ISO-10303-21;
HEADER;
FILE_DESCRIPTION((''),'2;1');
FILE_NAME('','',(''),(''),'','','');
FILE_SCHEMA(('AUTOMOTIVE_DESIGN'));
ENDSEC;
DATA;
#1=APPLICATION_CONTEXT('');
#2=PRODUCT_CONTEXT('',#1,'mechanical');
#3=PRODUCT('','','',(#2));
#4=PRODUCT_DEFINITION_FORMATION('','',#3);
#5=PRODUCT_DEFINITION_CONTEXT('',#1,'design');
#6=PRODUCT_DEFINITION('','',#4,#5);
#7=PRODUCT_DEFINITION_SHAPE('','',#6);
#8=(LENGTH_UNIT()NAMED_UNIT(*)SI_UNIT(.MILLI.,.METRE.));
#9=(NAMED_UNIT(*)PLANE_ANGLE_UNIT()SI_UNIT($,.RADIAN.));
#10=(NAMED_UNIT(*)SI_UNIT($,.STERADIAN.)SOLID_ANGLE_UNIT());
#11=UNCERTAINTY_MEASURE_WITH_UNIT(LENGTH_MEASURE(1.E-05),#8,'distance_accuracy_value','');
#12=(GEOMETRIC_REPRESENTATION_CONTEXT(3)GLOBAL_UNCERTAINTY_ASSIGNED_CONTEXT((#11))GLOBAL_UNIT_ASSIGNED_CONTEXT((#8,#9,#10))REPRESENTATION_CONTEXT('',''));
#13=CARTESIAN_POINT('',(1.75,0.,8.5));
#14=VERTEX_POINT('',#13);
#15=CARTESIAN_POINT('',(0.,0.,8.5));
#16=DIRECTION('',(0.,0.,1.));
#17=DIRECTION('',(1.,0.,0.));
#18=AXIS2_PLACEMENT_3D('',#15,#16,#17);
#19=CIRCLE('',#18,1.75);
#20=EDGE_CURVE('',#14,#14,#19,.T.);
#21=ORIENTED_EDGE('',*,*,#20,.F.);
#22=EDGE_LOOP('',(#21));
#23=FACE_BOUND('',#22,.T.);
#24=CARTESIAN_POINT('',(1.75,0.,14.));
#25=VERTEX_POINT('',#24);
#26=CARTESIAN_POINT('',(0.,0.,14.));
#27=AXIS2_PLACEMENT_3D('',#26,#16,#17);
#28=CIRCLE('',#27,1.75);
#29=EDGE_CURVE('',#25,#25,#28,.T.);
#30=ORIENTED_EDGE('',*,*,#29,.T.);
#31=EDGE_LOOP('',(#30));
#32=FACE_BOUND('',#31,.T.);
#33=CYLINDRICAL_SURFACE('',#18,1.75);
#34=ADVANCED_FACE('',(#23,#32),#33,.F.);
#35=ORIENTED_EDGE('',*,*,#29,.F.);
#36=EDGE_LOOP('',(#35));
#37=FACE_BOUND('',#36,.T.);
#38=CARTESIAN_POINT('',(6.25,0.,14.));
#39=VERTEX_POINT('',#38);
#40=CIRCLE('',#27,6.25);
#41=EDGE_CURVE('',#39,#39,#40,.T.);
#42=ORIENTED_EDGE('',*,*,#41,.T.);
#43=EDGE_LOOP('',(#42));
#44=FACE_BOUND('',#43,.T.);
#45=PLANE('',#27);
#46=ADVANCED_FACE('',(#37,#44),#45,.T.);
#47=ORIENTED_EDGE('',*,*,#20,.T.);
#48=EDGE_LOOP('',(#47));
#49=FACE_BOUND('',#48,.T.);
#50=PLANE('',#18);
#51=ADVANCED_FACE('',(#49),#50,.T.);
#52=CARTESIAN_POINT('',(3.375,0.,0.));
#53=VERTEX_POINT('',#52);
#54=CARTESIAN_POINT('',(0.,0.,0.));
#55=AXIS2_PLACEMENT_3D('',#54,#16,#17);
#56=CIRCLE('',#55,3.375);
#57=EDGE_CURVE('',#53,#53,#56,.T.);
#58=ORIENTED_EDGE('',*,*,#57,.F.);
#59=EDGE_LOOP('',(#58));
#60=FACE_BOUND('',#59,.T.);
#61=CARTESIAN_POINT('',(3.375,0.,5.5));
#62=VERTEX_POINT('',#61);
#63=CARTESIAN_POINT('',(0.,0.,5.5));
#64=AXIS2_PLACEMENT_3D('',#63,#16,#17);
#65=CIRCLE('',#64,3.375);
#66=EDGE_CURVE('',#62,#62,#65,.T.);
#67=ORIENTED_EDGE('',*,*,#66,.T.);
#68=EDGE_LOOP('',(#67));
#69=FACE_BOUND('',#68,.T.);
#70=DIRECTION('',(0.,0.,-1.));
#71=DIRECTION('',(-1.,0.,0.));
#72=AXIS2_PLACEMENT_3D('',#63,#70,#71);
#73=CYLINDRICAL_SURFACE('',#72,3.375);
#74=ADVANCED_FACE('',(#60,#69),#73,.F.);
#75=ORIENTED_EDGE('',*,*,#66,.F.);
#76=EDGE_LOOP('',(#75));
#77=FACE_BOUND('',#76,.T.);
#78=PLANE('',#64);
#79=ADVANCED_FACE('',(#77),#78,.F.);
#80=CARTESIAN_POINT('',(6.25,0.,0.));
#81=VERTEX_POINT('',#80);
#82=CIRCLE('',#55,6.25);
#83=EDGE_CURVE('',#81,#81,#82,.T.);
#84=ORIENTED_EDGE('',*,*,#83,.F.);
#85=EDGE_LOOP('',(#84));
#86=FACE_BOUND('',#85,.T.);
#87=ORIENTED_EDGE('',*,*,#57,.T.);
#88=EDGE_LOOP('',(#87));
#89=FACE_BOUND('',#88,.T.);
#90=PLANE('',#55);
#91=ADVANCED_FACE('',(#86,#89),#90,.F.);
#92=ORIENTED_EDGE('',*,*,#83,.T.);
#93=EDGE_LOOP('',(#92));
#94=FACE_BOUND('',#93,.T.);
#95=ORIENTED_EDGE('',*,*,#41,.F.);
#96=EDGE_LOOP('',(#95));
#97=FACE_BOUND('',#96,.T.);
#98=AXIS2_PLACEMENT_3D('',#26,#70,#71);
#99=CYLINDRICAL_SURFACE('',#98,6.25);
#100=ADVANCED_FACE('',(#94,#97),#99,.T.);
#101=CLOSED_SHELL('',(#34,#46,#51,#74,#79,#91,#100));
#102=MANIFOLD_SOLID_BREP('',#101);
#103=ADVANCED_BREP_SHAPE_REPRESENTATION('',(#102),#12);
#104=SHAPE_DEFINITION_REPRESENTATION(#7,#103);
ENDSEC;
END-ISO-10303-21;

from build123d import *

# Parameters (mm, degrees)
SKETCH2_R           = 6.25
BOSS_EXTRUDE1_DEPTH = 14
SKETCH4_R           = 1.75
CUT_EXTRUDE1_DEPTH  = 5.5
CUT_EXTRUDE2_START  = -14
SKETCH4_3_R         = 3.375
CUT_EXTRUDE2_DEPTH  = 5.5


with BuildPart() as part:
    # Sketch2 → Boss-Extrude1 (new body)
    with BuildSketch(Plane.XY):
        Circle(SKETCH2_R)
    extrude(amount=BOSS_EXTRUDE1_DEPTH)

    # Sketch4 → Cut-Extrude1 (cut)
    with BuildSketch(Plane.XY.offset(14)):
        Circle(SKETCH4_R)
    extrude(amount=-CUT_EXTRUDE1_DEPTH, mode=Mode.SUBTRACT)

    # Sketch4<3> → Cut-Extrude2 (cut)
    with BuildSketch(Plane.XY.offset(14).offset(CUT_EXTRUDE2_START)):
        Circle(SKETCH4_3_R)
    extrude(amount=CUT_EXTRUDE2_DEPTH, mode=Mode.SUBTRACT)


solid = part.part
